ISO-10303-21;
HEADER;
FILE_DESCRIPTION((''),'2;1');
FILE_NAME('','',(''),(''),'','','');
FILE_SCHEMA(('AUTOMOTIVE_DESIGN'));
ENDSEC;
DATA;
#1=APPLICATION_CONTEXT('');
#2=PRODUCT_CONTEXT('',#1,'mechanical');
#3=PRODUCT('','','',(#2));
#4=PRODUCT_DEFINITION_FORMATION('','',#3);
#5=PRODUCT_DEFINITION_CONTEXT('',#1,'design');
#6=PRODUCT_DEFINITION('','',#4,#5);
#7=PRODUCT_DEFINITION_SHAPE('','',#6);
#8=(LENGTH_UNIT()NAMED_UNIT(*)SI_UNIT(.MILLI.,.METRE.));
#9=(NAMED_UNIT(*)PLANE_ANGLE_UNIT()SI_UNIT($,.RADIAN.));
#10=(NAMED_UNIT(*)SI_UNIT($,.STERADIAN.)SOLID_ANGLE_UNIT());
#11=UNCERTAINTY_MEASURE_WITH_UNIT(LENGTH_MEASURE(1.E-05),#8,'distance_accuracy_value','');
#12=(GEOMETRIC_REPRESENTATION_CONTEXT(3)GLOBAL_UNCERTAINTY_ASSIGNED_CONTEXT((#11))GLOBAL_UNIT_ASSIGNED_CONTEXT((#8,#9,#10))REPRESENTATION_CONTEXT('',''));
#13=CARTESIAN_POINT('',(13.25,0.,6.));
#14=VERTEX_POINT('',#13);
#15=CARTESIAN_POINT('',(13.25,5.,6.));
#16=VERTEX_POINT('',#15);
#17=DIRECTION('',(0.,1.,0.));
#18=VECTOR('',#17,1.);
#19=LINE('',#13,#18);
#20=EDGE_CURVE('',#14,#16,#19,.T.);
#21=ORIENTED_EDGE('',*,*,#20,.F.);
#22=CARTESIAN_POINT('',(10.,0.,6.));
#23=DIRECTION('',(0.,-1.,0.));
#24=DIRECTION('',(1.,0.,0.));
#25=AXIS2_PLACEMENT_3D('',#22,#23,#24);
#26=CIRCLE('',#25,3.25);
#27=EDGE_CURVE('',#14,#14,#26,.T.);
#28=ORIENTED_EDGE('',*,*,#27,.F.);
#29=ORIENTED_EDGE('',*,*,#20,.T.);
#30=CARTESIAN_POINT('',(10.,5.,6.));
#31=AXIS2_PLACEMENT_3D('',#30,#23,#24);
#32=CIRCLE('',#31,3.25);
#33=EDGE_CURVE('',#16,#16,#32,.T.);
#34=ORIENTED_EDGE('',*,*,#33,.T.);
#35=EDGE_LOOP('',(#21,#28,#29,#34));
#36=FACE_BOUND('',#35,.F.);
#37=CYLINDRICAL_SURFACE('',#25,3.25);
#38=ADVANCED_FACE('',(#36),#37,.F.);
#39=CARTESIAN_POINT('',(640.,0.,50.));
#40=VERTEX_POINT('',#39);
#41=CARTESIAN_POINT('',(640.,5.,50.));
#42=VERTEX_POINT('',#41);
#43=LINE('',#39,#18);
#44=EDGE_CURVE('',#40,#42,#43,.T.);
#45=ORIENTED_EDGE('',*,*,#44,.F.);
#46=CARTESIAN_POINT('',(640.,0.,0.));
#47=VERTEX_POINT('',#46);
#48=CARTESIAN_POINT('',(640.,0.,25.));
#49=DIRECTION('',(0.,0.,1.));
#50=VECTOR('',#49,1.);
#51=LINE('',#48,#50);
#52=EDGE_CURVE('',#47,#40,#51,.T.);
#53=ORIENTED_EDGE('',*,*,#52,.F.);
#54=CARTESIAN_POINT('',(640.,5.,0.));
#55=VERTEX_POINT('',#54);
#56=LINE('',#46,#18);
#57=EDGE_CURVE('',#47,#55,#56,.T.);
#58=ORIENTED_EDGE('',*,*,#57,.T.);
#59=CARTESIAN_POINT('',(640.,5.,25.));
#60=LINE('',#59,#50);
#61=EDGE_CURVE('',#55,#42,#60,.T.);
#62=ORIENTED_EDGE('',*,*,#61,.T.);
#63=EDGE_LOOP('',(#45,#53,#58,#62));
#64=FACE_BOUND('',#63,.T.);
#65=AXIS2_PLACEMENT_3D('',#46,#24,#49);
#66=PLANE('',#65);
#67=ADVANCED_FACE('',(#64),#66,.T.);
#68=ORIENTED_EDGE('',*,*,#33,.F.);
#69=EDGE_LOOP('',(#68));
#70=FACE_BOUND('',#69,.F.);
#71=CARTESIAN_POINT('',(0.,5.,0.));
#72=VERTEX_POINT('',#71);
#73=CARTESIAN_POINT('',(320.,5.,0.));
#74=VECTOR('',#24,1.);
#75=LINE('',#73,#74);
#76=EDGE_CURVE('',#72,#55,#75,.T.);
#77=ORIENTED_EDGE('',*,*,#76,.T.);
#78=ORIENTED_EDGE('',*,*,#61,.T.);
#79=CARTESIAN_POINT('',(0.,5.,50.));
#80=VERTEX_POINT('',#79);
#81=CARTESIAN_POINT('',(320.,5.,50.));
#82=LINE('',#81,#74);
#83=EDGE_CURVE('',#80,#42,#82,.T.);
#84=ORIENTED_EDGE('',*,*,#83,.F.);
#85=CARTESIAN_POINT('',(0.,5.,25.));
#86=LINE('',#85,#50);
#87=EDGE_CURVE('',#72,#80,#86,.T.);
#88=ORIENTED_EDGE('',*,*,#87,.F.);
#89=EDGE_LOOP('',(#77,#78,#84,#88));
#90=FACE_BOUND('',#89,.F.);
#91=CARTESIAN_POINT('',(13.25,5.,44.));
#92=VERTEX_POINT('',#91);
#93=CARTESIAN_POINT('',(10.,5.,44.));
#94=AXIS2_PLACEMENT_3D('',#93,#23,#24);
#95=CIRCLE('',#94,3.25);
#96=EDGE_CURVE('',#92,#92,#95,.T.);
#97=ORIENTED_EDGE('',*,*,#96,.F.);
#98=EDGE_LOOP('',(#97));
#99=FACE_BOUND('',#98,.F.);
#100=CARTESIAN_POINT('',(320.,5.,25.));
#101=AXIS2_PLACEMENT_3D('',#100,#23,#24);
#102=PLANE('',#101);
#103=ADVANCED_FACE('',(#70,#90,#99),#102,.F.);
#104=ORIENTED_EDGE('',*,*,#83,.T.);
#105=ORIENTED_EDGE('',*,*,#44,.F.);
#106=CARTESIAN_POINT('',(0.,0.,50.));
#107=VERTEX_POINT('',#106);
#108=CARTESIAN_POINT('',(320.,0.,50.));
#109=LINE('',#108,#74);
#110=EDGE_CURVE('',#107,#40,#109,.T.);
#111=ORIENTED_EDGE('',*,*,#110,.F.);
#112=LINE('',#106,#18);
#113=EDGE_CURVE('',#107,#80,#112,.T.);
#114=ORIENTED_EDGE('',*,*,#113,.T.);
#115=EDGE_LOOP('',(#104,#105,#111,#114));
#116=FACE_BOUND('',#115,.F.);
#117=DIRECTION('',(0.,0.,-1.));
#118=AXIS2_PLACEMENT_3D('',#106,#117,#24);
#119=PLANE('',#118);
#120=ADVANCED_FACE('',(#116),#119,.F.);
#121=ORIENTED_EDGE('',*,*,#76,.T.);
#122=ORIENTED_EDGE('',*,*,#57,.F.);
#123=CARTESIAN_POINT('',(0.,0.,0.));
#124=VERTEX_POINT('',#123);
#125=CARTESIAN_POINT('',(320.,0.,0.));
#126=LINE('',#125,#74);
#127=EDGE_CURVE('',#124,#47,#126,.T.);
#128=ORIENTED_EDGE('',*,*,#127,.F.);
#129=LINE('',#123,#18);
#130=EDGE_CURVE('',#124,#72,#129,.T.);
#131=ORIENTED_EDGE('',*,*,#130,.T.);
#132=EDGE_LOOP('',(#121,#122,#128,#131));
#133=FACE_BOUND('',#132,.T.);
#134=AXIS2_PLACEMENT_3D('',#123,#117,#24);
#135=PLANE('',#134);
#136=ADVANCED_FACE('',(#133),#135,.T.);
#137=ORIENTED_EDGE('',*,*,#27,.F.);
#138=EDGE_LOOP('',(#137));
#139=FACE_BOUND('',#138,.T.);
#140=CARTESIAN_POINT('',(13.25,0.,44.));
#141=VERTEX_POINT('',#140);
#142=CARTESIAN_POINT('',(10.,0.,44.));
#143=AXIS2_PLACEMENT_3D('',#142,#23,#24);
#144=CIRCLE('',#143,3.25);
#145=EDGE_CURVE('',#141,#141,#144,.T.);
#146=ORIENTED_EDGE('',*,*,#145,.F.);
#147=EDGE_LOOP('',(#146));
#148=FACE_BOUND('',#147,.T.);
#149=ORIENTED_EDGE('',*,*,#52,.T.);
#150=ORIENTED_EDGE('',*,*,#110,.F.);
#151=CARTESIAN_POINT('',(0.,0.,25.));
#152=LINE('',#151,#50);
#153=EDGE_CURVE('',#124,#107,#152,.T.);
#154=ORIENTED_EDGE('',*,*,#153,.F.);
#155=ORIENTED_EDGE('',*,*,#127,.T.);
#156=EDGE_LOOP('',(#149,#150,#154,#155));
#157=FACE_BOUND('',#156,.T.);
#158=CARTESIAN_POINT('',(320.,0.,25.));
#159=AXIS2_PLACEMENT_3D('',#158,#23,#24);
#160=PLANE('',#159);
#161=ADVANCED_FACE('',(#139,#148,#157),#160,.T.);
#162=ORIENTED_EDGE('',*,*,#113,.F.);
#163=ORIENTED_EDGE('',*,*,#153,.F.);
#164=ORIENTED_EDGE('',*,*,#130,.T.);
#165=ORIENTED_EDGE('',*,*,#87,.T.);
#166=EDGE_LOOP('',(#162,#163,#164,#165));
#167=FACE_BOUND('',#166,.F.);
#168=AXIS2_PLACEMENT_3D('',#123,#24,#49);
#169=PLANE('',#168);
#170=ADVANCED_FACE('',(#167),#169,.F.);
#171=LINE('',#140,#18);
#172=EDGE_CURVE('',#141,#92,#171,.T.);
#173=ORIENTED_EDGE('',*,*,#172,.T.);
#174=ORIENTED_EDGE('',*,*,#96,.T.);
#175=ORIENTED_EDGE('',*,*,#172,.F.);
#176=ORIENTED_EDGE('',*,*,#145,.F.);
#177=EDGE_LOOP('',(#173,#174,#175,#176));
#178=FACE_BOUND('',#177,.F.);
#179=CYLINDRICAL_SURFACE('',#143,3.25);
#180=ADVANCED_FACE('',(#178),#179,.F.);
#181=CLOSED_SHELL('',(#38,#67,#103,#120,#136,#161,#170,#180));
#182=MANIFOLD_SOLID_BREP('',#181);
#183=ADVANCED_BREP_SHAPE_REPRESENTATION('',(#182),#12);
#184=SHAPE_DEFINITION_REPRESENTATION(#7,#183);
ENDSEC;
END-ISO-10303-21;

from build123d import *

# Parameters (mm, degrees)
F0_W     = 640
F0_H     = 50
F0_R     = 3.25
F1_DEPTH = 5


with BuildPart() as f1:
    # F0 (on Front) → F1 (new body)
    with BuildSketch(Plane.XZ):
        with Locations((320, 25)):
            Rectangle(F0_W, F0_H)
        with Locations((10, 6)):
            Circle(F0_R, mode=Mode.SUBTRACT)
        with Locations((10, 44)):
            Circle(F0_R, mode=Mode.SUBTRACT)
    extrude(amount=-F1_DEPTH)


solid = f1.part
